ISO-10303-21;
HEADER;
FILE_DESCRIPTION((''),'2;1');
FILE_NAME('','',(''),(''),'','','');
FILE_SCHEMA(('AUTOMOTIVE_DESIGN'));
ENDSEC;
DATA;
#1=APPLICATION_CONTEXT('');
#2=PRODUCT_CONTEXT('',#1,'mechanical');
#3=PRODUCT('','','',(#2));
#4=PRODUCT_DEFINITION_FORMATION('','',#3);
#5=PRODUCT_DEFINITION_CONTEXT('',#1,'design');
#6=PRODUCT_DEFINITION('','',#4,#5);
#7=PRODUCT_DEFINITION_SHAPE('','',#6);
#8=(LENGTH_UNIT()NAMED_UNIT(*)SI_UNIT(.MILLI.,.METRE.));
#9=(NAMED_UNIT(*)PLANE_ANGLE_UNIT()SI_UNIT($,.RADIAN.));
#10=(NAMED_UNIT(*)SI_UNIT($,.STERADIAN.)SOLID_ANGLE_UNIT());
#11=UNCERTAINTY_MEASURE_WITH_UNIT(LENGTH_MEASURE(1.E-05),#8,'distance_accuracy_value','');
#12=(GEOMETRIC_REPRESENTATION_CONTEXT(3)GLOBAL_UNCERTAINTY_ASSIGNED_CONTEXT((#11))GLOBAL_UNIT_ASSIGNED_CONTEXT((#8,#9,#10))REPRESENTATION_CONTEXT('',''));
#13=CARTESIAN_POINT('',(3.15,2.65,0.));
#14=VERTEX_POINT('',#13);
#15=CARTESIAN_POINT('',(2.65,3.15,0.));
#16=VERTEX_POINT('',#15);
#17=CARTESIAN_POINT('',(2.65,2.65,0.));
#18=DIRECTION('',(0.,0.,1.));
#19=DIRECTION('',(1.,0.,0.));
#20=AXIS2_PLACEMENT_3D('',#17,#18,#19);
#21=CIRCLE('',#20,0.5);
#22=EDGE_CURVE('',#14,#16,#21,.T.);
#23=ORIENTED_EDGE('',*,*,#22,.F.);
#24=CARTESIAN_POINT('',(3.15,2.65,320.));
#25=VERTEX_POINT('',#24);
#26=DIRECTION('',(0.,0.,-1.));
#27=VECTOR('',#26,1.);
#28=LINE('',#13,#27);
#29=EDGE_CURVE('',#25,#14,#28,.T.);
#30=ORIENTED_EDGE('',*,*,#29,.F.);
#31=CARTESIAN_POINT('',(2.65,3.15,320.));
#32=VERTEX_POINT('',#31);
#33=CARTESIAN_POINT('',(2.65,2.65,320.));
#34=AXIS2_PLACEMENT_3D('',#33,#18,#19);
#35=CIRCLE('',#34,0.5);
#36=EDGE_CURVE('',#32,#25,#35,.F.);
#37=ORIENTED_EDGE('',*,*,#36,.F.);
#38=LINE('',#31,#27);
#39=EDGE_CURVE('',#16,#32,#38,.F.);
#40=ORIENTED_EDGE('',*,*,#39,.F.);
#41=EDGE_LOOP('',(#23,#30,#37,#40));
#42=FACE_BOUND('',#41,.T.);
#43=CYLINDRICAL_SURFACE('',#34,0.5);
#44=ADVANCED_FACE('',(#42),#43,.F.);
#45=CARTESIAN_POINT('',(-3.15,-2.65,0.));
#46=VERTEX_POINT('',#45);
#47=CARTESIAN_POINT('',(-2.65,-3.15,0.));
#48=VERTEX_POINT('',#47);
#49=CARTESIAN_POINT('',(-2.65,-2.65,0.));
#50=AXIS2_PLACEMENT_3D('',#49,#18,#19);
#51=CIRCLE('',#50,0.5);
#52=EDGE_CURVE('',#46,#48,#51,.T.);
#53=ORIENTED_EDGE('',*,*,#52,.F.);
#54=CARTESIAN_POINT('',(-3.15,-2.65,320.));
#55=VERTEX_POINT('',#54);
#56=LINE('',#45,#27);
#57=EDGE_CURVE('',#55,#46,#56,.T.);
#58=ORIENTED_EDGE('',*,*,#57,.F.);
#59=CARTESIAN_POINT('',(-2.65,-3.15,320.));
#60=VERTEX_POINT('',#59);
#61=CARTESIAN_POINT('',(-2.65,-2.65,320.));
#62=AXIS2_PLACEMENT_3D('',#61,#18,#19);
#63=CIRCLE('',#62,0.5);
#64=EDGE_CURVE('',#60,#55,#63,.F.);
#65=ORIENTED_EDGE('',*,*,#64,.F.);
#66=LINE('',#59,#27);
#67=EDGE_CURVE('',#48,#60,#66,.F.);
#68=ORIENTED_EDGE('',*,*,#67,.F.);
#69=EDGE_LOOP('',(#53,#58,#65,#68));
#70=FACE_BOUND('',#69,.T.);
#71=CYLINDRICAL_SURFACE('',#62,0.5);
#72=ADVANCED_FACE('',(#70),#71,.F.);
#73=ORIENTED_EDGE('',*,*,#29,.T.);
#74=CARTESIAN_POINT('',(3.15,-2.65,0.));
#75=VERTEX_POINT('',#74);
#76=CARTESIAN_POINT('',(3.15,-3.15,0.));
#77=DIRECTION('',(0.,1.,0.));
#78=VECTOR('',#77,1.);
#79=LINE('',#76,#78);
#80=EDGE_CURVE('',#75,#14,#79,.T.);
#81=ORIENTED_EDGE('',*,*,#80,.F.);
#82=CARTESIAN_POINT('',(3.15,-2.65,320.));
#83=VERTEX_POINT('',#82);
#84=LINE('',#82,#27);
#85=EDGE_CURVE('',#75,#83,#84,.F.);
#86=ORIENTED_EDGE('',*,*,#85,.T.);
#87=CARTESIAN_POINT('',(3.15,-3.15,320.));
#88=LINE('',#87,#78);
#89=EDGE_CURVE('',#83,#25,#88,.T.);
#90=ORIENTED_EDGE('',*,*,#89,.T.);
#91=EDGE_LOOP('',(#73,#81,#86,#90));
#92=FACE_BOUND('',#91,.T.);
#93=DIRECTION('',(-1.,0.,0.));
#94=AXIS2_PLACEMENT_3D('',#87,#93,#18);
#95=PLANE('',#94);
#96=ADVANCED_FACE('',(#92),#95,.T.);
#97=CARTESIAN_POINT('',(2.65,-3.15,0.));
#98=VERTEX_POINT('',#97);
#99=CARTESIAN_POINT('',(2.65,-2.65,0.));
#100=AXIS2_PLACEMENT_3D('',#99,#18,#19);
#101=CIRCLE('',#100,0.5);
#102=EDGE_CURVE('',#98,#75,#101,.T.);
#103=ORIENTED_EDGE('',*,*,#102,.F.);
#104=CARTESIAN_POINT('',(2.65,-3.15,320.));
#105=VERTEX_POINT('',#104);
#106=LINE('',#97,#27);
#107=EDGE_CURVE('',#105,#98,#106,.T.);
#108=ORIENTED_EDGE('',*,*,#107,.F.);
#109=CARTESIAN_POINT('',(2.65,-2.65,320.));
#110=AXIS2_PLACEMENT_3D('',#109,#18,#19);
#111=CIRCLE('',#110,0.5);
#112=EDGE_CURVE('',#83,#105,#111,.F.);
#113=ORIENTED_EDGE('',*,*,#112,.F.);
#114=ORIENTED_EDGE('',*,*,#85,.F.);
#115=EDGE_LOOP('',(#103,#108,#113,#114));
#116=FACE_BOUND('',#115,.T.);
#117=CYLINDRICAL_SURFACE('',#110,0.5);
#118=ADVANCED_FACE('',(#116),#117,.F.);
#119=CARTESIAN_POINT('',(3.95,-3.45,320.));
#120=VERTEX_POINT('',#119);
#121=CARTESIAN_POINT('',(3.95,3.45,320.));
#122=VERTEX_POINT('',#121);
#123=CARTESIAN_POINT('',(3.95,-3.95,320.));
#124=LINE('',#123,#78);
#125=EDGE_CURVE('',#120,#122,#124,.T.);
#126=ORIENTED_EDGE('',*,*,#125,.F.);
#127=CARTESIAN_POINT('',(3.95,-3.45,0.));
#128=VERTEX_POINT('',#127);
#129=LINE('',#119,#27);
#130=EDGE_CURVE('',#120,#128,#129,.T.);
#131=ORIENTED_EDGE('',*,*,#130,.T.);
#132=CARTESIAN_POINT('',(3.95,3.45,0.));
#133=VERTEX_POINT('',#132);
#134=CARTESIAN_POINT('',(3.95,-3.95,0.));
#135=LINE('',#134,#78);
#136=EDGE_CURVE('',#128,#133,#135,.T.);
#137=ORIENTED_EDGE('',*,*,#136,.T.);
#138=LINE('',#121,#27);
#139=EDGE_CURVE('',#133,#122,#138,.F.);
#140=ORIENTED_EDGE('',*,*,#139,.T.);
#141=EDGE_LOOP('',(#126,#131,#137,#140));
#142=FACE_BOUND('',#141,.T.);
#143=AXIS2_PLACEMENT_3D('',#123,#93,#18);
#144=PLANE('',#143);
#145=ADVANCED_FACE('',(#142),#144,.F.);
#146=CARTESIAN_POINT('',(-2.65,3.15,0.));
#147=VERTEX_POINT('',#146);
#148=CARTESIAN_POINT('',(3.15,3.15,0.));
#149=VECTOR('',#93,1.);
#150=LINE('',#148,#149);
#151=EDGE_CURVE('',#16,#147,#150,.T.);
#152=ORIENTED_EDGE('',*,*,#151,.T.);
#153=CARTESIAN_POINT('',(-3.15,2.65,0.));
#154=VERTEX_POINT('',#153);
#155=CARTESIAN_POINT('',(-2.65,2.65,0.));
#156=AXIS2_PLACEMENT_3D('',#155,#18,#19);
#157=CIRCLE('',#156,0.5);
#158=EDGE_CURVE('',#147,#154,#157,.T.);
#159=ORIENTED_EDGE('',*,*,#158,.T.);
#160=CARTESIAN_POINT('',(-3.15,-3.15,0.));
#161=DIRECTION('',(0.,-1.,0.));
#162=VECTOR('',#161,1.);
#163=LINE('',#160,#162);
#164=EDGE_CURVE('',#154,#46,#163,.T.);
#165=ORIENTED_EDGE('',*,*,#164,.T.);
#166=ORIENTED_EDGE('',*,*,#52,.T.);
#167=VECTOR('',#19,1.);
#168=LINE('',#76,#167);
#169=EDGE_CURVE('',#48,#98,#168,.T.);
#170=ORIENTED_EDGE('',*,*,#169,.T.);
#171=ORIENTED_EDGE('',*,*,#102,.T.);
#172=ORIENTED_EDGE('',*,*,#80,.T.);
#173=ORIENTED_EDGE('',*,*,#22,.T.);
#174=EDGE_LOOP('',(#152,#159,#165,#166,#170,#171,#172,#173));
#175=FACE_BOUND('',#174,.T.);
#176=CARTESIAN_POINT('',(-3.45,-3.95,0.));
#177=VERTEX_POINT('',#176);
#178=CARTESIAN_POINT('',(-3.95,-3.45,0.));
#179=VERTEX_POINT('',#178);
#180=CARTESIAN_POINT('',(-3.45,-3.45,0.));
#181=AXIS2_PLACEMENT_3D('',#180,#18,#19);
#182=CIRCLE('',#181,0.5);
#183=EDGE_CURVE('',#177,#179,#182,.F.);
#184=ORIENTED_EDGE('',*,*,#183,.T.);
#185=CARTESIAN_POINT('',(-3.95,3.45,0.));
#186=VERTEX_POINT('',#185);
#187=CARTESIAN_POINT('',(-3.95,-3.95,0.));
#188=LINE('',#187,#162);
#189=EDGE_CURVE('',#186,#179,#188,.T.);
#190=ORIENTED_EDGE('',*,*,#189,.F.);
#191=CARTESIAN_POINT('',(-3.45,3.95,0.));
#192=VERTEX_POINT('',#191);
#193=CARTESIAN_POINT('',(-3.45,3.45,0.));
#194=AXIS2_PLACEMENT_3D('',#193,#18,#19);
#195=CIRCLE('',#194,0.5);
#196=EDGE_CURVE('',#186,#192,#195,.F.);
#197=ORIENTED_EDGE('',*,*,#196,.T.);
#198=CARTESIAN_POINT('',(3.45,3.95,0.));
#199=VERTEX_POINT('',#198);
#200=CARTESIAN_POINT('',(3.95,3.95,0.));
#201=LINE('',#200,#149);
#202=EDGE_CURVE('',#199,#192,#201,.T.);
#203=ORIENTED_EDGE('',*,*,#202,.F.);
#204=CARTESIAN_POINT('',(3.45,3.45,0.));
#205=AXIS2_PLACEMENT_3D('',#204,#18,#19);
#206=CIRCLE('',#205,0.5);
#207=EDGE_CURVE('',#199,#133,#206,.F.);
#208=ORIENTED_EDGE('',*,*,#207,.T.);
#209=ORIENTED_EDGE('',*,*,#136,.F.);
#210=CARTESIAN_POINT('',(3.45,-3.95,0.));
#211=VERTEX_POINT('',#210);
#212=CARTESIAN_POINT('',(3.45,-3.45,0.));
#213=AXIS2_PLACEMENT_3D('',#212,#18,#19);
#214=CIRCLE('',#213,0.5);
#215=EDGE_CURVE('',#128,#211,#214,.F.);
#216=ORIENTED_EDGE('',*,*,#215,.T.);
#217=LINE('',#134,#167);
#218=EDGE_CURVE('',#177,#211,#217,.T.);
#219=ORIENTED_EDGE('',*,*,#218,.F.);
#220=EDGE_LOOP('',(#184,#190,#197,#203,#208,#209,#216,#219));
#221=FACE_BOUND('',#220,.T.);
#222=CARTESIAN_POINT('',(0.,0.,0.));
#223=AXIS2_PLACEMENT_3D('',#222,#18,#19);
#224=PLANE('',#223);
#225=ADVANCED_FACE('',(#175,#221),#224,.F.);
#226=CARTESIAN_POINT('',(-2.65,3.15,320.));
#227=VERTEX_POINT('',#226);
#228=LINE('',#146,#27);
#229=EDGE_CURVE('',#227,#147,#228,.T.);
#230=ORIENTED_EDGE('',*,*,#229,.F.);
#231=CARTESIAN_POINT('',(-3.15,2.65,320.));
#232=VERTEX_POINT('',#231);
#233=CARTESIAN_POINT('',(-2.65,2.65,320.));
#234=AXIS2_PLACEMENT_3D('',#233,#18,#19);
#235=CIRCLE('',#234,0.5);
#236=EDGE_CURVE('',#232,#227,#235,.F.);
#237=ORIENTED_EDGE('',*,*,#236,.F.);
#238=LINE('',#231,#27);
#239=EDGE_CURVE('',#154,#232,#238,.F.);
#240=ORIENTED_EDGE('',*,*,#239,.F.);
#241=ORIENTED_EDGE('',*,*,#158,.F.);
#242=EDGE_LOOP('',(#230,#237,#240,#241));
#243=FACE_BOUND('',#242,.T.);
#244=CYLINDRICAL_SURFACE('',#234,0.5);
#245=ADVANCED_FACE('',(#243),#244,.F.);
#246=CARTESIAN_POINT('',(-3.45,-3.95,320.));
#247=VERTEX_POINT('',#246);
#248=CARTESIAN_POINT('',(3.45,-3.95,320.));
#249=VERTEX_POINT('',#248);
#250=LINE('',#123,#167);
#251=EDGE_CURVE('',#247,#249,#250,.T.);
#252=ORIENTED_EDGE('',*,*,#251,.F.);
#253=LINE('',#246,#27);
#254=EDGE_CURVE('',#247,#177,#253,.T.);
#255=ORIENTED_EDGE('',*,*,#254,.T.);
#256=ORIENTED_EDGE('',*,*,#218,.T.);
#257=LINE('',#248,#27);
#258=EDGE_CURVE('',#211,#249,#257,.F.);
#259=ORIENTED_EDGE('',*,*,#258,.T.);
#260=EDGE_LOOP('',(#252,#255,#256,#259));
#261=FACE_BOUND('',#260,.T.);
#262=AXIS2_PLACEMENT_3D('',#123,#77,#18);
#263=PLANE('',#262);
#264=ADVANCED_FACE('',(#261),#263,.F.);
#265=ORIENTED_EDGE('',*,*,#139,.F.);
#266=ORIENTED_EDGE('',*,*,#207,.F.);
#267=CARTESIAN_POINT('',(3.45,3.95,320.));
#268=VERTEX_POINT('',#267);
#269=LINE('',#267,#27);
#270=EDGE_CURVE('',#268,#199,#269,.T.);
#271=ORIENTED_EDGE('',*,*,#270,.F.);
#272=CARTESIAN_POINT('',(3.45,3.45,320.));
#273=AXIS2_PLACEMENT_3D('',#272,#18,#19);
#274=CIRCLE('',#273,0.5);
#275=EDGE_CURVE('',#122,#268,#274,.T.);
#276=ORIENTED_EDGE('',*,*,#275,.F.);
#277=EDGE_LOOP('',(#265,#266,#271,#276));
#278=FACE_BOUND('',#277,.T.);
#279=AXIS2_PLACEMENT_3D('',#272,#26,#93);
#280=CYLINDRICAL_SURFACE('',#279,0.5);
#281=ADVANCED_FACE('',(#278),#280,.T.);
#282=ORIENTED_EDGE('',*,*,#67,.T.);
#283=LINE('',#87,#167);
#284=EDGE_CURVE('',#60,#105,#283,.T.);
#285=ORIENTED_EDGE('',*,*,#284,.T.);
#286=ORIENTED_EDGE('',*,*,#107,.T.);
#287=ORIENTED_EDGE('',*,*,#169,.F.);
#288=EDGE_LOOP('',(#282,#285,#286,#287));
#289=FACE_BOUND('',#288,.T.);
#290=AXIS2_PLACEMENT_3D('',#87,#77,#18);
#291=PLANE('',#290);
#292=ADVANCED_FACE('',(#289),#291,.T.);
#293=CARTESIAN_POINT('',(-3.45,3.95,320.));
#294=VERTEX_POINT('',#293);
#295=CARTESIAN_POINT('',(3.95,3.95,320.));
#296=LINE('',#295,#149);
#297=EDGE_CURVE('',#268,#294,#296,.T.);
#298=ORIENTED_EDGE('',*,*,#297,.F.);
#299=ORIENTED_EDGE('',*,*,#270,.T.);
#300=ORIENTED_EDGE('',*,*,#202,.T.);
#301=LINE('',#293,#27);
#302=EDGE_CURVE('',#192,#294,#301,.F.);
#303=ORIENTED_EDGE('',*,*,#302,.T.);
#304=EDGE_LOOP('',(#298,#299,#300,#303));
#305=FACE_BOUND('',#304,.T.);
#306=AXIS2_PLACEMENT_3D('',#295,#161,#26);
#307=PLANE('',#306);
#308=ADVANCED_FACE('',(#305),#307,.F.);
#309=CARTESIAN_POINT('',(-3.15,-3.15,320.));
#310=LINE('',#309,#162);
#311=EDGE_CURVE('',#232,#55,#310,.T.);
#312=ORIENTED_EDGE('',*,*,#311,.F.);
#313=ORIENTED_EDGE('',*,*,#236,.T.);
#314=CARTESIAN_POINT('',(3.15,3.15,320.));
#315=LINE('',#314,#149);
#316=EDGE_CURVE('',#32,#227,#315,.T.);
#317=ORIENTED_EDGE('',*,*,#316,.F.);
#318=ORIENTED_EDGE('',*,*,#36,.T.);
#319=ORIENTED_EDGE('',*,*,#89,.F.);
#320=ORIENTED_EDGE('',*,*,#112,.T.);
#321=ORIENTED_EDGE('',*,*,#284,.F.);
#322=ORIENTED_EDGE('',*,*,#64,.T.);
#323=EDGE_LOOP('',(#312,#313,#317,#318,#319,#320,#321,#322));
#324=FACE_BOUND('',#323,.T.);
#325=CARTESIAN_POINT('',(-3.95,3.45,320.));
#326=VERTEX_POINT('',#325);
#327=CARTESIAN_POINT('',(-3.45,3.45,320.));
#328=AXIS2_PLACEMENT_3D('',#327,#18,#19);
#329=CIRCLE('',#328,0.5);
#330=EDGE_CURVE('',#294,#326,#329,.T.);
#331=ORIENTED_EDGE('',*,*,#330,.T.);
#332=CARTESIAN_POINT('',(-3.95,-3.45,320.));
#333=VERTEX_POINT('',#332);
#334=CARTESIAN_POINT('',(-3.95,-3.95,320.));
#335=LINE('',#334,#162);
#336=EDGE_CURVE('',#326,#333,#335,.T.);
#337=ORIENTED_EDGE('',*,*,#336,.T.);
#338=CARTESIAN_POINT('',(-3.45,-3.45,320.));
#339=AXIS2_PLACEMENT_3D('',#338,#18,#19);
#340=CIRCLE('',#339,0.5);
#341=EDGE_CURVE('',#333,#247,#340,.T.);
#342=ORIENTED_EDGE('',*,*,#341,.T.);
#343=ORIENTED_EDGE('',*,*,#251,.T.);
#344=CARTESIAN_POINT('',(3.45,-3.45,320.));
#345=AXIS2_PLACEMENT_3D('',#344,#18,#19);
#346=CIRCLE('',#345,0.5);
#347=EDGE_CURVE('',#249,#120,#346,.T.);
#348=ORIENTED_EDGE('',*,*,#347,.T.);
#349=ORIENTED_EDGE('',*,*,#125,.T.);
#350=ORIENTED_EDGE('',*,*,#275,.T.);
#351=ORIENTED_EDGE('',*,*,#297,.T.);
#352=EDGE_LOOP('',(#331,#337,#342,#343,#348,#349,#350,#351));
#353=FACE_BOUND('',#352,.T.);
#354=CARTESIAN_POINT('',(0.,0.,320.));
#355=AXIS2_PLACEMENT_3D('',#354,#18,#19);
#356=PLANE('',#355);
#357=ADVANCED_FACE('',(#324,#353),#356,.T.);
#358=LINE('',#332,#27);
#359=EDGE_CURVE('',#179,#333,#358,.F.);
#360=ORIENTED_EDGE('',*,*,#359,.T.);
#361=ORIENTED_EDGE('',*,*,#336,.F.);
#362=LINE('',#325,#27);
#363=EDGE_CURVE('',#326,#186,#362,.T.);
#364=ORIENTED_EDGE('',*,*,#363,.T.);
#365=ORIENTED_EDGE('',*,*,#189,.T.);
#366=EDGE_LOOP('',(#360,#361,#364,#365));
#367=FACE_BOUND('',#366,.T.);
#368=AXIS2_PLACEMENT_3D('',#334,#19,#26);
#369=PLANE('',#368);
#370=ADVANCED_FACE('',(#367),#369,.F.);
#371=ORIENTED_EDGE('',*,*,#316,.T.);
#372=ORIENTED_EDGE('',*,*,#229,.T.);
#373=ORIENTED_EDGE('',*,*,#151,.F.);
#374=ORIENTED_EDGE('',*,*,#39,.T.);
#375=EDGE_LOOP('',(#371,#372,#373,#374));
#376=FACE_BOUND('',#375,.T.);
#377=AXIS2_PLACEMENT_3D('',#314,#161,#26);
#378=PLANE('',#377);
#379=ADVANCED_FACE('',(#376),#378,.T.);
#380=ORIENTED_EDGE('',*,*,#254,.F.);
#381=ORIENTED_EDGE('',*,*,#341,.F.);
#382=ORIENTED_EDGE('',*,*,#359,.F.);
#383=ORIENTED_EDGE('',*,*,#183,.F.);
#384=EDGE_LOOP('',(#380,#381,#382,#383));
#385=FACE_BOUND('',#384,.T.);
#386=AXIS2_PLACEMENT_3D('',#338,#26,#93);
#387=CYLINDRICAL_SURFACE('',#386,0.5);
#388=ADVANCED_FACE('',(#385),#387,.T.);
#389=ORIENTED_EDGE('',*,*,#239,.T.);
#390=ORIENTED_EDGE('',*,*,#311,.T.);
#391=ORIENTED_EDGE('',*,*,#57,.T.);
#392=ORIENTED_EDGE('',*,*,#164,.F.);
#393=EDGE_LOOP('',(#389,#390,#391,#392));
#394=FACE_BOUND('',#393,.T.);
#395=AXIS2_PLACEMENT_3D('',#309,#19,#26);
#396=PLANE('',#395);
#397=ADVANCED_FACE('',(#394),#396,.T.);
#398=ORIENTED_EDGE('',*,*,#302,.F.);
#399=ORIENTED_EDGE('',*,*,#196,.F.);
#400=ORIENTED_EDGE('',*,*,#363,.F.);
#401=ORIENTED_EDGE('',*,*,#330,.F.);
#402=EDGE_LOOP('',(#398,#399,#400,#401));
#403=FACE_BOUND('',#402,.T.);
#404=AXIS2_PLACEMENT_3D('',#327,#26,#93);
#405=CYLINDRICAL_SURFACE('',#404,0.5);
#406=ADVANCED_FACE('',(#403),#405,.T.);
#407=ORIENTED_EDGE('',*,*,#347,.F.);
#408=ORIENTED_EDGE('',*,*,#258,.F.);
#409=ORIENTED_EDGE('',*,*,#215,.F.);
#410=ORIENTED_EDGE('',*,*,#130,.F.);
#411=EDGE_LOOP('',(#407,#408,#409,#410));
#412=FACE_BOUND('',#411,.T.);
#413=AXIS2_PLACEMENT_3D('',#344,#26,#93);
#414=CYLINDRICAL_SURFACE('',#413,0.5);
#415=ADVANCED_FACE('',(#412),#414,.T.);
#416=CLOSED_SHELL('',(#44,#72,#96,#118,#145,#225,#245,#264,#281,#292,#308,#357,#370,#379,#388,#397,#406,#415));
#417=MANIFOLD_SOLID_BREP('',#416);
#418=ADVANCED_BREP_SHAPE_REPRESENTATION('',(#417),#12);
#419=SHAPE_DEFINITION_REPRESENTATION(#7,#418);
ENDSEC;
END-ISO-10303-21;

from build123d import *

# Parameters (mm, degrees)
SKETCH1_W           = 7.9
SKETCH1_H           = 7.9
SKETCH1_W_2         = 6.3
SKETCH1_H_2         = 6.3
BOSS_EXTRUDE1_DEPTH = 320
FILLET1_R           = 0.5


with BuildPart() as part:
    # Sketch1 → Boss-Extrude1 (new body)
    with BuildSketch(Plane.XY):
        Rectangle(SKETCH1_W, SKETCH1_H)
        Rectangle(SKETCH1_W_2, SKETCH1_H_2, mode=Mode.SUBTRACT)
    extrude(amount=BOSS_EXTRUDE1_DEPTH)

    # Fillet1
    fillet1_edges = [part.edges().sort_by_distance(p)[0] for p in [
        (-3.15, 3.15, 160),
        (-3.15, -3.15, 160),
        (3.15, -3.15, 160),
        (3.15, 3.15, 160),
        (-3.95, 3.95, 160),
        (3.95, 3.95, 160),
        (3.95, -3.95, 160),
        (-3.95, -3.95, 160),
    ]]
    fillet(fillet1_edges, radius=FILLET1_R)


solid = part.part
